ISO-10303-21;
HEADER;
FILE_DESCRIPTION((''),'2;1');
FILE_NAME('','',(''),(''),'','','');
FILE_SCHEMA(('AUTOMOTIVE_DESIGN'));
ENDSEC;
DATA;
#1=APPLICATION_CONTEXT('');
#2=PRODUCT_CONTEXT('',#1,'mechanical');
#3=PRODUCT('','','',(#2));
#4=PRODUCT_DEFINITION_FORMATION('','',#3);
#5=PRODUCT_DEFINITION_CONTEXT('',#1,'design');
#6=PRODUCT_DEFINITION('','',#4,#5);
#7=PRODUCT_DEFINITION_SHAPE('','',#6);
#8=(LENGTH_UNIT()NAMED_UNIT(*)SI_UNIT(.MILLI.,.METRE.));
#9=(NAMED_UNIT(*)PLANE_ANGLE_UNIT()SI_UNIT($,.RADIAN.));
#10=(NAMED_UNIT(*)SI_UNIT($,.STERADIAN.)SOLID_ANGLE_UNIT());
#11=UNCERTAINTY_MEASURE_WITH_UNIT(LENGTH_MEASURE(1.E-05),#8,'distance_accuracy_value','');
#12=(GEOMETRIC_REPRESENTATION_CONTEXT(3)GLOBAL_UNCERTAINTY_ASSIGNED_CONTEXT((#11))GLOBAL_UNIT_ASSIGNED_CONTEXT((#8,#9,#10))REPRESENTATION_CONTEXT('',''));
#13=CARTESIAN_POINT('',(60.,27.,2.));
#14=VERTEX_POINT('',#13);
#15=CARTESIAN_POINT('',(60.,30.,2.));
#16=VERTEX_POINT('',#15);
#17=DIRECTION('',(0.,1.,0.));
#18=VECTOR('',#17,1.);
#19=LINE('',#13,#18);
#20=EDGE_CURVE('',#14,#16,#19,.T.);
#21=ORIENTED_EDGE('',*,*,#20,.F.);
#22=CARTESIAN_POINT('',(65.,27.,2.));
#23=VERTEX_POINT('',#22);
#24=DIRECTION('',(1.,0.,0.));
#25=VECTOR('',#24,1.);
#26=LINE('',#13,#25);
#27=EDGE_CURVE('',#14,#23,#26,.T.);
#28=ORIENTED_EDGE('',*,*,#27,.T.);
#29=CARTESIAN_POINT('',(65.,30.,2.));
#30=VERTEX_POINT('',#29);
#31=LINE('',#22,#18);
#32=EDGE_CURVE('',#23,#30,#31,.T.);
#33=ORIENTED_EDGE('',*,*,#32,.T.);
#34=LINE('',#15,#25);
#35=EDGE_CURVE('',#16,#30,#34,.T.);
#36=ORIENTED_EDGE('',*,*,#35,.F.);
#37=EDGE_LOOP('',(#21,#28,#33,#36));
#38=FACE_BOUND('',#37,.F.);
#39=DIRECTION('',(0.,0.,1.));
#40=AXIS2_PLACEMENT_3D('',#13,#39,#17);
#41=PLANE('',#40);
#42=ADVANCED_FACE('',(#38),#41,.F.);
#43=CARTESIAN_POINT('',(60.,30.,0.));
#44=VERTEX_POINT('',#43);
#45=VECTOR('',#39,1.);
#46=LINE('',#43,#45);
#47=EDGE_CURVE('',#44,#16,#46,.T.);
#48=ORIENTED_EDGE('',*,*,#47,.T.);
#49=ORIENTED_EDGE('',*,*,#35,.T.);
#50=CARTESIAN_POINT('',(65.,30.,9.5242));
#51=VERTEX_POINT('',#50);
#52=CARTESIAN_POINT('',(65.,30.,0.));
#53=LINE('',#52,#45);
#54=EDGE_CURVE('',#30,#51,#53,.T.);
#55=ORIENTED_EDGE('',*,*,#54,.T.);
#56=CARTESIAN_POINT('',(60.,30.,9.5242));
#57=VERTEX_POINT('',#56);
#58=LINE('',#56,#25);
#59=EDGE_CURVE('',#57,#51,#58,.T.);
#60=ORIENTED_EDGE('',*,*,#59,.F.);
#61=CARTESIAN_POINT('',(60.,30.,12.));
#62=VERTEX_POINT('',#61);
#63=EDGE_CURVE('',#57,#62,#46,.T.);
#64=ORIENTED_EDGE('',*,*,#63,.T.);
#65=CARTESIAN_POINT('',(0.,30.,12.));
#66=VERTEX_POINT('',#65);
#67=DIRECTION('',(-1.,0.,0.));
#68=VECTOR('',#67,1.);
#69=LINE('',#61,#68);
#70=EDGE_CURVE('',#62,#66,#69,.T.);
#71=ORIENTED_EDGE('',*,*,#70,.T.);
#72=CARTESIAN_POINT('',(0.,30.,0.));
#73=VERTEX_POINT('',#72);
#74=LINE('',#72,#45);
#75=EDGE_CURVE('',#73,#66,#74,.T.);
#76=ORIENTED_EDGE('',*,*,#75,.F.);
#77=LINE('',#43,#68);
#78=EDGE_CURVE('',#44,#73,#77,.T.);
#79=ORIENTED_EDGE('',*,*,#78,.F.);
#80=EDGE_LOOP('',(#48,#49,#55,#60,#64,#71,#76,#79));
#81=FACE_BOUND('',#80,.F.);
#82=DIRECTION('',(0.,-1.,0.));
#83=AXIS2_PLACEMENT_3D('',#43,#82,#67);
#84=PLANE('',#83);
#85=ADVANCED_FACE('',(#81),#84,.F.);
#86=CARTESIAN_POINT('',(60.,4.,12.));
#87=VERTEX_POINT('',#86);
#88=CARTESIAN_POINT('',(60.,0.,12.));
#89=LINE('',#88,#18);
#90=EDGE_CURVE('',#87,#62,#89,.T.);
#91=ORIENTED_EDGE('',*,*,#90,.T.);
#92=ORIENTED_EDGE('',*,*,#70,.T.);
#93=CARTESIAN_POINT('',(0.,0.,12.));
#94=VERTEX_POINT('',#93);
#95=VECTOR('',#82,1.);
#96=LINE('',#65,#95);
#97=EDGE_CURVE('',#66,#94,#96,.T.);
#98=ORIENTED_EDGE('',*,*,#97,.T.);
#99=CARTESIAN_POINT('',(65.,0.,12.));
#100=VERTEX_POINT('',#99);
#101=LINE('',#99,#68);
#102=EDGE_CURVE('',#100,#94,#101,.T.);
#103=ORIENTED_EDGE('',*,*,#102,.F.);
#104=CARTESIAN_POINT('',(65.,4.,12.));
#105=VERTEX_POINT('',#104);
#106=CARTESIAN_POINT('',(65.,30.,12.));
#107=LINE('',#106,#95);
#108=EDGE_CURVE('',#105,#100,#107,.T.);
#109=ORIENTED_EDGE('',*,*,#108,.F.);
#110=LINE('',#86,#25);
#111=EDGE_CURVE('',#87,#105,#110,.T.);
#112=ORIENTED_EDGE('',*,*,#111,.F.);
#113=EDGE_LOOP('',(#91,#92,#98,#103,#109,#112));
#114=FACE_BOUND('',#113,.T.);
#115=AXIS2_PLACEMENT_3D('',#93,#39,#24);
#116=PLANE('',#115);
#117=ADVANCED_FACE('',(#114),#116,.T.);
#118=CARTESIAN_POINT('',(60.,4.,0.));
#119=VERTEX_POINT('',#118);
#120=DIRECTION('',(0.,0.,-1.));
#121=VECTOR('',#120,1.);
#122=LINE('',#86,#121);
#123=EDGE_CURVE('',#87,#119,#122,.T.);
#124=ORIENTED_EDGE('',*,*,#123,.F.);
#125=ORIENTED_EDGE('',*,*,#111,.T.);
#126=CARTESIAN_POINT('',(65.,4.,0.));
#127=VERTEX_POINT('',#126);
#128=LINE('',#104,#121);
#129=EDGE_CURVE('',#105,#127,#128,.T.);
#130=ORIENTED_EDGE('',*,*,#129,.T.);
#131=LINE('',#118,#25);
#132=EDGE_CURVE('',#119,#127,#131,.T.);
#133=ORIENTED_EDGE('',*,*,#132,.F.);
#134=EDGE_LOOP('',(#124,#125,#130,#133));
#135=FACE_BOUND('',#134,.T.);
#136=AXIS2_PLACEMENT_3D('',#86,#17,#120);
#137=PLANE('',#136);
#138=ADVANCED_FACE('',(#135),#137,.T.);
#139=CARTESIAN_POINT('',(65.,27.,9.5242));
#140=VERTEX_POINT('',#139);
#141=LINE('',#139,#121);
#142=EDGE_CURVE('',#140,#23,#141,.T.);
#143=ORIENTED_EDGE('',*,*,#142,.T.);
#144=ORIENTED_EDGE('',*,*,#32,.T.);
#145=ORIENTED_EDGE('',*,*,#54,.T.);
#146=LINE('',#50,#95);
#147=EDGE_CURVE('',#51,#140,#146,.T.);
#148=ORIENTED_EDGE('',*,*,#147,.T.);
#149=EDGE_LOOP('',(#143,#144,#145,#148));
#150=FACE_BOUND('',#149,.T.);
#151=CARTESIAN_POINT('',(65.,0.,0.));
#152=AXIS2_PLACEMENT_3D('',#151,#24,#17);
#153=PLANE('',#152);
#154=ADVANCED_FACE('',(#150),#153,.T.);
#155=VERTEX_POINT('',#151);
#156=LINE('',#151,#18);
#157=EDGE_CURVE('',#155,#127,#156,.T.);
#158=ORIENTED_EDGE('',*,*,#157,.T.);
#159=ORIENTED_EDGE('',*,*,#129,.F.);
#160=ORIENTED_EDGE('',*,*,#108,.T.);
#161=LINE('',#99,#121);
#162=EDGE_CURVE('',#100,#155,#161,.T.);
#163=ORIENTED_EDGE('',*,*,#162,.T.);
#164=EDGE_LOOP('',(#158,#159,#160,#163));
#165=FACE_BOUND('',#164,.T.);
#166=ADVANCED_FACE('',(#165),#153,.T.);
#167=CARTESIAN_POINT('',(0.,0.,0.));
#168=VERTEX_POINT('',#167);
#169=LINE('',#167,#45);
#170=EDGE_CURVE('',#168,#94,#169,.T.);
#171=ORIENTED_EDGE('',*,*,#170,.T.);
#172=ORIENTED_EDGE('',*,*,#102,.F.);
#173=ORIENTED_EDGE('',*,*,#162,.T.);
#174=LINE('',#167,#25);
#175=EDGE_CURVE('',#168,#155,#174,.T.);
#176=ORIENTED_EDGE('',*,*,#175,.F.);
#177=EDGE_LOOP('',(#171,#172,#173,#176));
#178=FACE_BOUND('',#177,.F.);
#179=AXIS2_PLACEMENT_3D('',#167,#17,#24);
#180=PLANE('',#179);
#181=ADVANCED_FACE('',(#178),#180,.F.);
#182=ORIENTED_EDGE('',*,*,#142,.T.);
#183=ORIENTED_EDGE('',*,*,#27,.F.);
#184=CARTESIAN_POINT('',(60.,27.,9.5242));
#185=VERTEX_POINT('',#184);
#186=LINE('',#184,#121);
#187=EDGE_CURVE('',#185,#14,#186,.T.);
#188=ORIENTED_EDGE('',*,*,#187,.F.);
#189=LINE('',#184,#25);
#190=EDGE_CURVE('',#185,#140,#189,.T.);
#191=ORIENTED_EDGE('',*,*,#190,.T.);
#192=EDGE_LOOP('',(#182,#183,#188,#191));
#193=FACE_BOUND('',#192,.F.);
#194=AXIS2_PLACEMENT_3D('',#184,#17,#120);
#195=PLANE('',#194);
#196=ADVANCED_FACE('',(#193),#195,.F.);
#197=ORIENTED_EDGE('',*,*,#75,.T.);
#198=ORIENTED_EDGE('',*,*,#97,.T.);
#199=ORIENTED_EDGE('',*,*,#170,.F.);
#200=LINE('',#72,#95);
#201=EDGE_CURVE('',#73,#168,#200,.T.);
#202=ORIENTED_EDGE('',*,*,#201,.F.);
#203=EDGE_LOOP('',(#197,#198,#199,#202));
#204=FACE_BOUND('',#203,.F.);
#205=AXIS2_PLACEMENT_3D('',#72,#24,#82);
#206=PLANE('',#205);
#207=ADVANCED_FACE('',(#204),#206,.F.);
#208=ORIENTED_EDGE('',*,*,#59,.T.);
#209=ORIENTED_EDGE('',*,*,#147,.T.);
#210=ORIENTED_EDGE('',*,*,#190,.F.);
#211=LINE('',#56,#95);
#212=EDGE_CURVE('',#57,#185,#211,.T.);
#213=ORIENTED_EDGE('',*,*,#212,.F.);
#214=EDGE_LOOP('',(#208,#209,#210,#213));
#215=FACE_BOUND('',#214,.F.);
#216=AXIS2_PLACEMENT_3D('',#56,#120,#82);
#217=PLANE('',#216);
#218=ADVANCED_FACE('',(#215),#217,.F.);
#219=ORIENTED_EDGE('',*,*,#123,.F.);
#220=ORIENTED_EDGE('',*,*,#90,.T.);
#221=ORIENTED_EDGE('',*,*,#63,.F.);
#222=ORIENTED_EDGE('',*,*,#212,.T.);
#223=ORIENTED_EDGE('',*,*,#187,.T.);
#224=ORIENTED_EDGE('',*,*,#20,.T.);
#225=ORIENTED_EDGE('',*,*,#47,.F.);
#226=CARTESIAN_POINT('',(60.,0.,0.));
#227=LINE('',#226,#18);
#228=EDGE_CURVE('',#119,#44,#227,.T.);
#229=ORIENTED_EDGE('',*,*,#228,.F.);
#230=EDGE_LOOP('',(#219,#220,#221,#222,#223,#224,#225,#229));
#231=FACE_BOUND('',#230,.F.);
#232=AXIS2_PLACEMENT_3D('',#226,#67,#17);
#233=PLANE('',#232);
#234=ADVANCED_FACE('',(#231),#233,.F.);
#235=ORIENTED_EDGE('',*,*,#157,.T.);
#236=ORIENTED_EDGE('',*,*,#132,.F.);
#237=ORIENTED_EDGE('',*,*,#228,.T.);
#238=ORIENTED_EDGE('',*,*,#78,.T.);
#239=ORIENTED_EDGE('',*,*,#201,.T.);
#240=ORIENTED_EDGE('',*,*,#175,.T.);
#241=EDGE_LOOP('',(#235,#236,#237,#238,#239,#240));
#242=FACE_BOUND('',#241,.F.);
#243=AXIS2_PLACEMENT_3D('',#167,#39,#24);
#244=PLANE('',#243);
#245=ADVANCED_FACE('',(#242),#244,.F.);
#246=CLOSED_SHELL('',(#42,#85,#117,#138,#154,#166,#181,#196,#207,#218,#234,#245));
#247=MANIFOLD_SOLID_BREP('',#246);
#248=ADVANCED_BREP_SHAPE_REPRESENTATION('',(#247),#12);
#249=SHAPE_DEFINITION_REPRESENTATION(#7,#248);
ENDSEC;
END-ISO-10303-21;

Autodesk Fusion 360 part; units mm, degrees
sketch "Sketch1" plane through (0, 0, 0) normal (0, 0, 1) x (1, 0, 0)
  line L0 (0, 0) -> (60, 0)
  line L1 (60, 0) -> (60, 30)
  line L2 (60, 30) -> (0, 30)
  line L3 (0, 30) -> (0, 0)
  dimension "d1" = 30
  dimension "d2" = 60
extrude "Extrude1" add sketch "Sketch1" along normal blind 12
sketch "Sketch2" plane through (60, 0, 0) normal (1, 0, 0) x (0, 1, 0)
  line L0 (0, 0) -> (30, 0)
  line L1 (30, 0) -> (30, 12)
  line L2 (30, 12) -> (0, 12)
  line L3 (0, 12) -> (0, 0)
  line L4 (0, 12) -> (4, 12)
  line L5 (4, 12) -> (4, 0)
  line L6 (4, 0) -> (0, 0)
  line L7 (0, 0) -> (0, 12)
  line L8 (30, 9.5242) -> (27, 9.5242)
  line L9 (27, 9.5242) -> (27, 2)
  line L10 (27, 2) -> (30, 2)
  line L11 (30, 2) -> (30, 9.5242)
extrude "Extrude2" add sketch "Sketch2" along normal blind 5 contours L0 L2 L3 L4 L5 L6 L7 | L1 L8 L9 L10 L11
